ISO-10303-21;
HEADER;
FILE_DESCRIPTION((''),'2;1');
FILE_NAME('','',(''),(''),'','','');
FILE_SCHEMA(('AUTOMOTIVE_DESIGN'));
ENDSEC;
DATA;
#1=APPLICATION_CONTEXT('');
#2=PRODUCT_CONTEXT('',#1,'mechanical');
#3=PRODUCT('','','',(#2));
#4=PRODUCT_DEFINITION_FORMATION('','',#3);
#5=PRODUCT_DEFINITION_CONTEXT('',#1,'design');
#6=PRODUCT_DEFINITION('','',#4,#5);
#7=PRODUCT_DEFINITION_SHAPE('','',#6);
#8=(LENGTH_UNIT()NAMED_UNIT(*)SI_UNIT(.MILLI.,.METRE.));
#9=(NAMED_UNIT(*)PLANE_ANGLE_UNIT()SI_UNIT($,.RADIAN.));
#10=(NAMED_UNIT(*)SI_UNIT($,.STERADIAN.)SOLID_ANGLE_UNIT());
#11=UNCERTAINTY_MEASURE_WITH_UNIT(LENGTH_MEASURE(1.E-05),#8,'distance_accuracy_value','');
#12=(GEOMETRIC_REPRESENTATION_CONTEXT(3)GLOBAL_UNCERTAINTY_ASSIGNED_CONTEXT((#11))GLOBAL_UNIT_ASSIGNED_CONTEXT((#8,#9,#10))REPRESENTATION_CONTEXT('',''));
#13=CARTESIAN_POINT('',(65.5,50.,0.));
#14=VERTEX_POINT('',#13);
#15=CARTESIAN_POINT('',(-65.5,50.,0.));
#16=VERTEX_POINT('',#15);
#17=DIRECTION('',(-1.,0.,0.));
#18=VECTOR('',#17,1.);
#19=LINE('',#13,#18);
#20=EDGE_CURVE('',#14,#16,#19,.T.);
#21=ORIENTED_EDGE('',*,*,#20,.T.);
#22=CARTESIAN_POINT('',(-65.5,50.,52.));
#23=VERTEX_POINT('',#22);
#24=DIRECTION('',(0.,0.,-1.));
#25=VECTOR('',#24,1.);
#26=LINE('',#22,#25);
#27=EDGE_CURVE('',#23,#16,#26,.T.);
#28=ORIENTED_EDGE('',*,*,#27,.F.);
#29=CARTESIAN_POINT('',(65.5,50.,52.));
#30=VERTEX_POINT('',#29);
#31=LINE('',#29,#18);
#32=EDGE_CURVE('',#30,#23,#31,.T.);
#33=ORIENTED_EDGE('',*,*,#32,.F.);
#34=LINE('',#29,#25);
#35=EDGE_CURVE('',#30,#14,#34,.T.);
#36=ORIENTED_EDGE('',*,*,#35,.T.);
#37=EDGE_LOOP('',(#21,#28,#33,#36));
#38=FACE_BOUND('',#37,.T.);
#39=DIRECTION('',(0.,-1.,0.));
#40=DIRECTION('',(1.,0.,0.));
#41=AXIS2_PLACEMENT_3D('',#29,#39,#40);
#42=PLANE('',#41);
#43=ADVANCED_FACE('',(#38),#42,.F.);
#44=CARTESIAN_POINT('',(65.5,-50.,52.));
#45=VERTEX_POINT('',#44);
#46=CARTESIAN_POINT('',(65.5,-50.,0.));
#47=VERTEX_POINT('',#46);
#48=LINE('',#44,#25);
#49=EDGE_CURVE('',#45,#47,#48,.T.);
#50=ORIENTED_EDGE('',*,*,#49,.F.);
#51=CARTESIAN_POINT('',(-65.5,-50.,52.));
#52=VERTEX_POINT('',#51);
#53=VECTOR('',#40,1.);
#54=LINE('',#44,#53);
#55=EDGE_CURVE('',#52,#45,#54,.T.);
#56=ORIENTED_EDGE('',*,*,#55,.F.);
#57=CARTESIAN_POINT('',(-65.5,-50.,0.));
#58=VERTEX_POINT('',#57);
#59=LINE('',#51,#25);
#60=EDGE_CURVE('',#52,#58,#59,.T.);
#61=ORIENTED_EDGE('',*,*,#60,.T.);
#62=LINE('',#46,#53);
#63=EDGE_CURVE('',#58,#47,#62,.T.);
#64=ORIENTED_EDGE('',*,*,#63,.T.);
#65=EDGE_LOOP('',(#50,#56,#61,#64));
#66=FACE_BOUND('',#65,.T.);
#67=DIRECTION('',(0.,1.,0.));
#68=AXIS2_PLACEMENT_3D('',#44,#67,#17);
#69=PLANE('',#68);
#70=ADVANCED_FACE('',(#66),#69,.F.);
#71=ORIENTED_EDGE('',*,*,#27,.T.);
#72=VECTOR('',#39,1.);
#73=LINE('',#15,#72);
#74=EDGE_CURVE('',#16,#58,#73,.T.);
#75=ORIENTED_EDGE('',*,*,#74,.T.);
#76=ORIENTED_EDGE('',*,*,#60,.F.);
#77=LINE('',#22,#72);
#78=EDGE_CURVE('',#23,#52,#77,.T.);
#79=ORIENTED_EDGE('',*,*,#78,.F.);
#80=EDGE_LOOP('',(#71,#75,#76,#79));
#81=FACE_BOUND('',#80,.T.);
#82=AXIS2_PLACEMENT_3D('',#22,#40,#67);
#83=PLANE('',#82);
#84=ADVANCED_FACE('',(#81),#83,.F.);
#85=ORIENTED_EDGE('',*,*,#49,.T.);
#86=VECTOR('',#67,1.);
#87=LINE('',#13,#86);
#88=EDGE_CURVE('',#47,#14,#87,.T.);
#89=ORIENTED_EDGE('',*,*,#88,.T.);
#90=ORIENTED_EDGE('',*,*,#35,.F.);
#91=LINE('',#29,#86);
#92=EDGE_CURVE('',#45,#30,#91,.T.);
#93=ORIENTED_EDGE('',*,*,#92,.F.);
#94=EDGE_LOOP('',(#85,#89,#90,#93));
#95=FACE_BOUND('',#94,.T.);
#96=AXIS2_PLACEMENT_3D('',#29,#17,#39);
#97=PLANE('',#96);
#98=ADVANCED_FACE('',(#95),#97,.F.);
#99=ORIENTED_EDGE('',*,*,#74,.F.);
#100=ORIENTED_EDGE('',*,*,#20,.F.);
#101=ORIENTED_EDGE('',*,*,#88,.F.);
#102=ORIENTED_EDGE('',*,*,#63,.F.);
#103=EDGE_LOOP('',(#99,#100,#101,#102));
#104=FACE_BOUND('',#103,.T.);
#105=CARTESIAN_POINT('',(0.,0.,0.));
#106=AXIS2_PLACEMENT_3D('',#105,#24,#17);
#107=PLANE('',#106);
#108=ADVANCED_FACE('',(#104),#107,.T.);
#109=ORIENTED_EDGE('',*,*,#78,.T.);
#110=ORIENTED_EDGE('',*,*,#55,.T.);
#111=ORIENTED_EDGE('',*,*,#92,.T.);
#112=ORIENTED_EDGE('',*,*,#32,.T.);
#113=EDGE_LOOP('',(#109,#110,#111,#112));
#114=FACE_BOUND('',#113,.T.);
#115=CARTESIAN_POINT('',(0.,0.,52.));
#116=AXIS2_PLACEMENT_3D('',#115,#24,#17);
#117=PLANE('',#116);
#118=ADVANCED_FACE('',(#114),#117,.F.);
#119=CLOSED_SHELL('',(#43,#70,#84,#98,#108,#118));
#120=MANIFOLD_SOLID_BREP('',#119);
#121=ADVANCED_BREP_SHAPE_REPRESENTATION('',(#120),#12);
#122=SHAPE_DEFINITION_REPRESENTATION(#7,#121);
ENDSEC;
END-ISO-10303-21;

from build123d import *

# Parameters (mm, degrees)
SKETCH1_W           = 131
SKETCH1_H           = 100
BOSS_EXTRUDE1_DEPTH = 52


with BuildPart() as part:
    # Sketch1 → Boss-Extrude1 (new body)
    with BuildSketch(Plane.XY):
        Rectangle(SKETCH1_W, SKETCH1_H)
    extrude(amount=BOSS_EXTRUDE1_DEPTH)


solid = part.part
